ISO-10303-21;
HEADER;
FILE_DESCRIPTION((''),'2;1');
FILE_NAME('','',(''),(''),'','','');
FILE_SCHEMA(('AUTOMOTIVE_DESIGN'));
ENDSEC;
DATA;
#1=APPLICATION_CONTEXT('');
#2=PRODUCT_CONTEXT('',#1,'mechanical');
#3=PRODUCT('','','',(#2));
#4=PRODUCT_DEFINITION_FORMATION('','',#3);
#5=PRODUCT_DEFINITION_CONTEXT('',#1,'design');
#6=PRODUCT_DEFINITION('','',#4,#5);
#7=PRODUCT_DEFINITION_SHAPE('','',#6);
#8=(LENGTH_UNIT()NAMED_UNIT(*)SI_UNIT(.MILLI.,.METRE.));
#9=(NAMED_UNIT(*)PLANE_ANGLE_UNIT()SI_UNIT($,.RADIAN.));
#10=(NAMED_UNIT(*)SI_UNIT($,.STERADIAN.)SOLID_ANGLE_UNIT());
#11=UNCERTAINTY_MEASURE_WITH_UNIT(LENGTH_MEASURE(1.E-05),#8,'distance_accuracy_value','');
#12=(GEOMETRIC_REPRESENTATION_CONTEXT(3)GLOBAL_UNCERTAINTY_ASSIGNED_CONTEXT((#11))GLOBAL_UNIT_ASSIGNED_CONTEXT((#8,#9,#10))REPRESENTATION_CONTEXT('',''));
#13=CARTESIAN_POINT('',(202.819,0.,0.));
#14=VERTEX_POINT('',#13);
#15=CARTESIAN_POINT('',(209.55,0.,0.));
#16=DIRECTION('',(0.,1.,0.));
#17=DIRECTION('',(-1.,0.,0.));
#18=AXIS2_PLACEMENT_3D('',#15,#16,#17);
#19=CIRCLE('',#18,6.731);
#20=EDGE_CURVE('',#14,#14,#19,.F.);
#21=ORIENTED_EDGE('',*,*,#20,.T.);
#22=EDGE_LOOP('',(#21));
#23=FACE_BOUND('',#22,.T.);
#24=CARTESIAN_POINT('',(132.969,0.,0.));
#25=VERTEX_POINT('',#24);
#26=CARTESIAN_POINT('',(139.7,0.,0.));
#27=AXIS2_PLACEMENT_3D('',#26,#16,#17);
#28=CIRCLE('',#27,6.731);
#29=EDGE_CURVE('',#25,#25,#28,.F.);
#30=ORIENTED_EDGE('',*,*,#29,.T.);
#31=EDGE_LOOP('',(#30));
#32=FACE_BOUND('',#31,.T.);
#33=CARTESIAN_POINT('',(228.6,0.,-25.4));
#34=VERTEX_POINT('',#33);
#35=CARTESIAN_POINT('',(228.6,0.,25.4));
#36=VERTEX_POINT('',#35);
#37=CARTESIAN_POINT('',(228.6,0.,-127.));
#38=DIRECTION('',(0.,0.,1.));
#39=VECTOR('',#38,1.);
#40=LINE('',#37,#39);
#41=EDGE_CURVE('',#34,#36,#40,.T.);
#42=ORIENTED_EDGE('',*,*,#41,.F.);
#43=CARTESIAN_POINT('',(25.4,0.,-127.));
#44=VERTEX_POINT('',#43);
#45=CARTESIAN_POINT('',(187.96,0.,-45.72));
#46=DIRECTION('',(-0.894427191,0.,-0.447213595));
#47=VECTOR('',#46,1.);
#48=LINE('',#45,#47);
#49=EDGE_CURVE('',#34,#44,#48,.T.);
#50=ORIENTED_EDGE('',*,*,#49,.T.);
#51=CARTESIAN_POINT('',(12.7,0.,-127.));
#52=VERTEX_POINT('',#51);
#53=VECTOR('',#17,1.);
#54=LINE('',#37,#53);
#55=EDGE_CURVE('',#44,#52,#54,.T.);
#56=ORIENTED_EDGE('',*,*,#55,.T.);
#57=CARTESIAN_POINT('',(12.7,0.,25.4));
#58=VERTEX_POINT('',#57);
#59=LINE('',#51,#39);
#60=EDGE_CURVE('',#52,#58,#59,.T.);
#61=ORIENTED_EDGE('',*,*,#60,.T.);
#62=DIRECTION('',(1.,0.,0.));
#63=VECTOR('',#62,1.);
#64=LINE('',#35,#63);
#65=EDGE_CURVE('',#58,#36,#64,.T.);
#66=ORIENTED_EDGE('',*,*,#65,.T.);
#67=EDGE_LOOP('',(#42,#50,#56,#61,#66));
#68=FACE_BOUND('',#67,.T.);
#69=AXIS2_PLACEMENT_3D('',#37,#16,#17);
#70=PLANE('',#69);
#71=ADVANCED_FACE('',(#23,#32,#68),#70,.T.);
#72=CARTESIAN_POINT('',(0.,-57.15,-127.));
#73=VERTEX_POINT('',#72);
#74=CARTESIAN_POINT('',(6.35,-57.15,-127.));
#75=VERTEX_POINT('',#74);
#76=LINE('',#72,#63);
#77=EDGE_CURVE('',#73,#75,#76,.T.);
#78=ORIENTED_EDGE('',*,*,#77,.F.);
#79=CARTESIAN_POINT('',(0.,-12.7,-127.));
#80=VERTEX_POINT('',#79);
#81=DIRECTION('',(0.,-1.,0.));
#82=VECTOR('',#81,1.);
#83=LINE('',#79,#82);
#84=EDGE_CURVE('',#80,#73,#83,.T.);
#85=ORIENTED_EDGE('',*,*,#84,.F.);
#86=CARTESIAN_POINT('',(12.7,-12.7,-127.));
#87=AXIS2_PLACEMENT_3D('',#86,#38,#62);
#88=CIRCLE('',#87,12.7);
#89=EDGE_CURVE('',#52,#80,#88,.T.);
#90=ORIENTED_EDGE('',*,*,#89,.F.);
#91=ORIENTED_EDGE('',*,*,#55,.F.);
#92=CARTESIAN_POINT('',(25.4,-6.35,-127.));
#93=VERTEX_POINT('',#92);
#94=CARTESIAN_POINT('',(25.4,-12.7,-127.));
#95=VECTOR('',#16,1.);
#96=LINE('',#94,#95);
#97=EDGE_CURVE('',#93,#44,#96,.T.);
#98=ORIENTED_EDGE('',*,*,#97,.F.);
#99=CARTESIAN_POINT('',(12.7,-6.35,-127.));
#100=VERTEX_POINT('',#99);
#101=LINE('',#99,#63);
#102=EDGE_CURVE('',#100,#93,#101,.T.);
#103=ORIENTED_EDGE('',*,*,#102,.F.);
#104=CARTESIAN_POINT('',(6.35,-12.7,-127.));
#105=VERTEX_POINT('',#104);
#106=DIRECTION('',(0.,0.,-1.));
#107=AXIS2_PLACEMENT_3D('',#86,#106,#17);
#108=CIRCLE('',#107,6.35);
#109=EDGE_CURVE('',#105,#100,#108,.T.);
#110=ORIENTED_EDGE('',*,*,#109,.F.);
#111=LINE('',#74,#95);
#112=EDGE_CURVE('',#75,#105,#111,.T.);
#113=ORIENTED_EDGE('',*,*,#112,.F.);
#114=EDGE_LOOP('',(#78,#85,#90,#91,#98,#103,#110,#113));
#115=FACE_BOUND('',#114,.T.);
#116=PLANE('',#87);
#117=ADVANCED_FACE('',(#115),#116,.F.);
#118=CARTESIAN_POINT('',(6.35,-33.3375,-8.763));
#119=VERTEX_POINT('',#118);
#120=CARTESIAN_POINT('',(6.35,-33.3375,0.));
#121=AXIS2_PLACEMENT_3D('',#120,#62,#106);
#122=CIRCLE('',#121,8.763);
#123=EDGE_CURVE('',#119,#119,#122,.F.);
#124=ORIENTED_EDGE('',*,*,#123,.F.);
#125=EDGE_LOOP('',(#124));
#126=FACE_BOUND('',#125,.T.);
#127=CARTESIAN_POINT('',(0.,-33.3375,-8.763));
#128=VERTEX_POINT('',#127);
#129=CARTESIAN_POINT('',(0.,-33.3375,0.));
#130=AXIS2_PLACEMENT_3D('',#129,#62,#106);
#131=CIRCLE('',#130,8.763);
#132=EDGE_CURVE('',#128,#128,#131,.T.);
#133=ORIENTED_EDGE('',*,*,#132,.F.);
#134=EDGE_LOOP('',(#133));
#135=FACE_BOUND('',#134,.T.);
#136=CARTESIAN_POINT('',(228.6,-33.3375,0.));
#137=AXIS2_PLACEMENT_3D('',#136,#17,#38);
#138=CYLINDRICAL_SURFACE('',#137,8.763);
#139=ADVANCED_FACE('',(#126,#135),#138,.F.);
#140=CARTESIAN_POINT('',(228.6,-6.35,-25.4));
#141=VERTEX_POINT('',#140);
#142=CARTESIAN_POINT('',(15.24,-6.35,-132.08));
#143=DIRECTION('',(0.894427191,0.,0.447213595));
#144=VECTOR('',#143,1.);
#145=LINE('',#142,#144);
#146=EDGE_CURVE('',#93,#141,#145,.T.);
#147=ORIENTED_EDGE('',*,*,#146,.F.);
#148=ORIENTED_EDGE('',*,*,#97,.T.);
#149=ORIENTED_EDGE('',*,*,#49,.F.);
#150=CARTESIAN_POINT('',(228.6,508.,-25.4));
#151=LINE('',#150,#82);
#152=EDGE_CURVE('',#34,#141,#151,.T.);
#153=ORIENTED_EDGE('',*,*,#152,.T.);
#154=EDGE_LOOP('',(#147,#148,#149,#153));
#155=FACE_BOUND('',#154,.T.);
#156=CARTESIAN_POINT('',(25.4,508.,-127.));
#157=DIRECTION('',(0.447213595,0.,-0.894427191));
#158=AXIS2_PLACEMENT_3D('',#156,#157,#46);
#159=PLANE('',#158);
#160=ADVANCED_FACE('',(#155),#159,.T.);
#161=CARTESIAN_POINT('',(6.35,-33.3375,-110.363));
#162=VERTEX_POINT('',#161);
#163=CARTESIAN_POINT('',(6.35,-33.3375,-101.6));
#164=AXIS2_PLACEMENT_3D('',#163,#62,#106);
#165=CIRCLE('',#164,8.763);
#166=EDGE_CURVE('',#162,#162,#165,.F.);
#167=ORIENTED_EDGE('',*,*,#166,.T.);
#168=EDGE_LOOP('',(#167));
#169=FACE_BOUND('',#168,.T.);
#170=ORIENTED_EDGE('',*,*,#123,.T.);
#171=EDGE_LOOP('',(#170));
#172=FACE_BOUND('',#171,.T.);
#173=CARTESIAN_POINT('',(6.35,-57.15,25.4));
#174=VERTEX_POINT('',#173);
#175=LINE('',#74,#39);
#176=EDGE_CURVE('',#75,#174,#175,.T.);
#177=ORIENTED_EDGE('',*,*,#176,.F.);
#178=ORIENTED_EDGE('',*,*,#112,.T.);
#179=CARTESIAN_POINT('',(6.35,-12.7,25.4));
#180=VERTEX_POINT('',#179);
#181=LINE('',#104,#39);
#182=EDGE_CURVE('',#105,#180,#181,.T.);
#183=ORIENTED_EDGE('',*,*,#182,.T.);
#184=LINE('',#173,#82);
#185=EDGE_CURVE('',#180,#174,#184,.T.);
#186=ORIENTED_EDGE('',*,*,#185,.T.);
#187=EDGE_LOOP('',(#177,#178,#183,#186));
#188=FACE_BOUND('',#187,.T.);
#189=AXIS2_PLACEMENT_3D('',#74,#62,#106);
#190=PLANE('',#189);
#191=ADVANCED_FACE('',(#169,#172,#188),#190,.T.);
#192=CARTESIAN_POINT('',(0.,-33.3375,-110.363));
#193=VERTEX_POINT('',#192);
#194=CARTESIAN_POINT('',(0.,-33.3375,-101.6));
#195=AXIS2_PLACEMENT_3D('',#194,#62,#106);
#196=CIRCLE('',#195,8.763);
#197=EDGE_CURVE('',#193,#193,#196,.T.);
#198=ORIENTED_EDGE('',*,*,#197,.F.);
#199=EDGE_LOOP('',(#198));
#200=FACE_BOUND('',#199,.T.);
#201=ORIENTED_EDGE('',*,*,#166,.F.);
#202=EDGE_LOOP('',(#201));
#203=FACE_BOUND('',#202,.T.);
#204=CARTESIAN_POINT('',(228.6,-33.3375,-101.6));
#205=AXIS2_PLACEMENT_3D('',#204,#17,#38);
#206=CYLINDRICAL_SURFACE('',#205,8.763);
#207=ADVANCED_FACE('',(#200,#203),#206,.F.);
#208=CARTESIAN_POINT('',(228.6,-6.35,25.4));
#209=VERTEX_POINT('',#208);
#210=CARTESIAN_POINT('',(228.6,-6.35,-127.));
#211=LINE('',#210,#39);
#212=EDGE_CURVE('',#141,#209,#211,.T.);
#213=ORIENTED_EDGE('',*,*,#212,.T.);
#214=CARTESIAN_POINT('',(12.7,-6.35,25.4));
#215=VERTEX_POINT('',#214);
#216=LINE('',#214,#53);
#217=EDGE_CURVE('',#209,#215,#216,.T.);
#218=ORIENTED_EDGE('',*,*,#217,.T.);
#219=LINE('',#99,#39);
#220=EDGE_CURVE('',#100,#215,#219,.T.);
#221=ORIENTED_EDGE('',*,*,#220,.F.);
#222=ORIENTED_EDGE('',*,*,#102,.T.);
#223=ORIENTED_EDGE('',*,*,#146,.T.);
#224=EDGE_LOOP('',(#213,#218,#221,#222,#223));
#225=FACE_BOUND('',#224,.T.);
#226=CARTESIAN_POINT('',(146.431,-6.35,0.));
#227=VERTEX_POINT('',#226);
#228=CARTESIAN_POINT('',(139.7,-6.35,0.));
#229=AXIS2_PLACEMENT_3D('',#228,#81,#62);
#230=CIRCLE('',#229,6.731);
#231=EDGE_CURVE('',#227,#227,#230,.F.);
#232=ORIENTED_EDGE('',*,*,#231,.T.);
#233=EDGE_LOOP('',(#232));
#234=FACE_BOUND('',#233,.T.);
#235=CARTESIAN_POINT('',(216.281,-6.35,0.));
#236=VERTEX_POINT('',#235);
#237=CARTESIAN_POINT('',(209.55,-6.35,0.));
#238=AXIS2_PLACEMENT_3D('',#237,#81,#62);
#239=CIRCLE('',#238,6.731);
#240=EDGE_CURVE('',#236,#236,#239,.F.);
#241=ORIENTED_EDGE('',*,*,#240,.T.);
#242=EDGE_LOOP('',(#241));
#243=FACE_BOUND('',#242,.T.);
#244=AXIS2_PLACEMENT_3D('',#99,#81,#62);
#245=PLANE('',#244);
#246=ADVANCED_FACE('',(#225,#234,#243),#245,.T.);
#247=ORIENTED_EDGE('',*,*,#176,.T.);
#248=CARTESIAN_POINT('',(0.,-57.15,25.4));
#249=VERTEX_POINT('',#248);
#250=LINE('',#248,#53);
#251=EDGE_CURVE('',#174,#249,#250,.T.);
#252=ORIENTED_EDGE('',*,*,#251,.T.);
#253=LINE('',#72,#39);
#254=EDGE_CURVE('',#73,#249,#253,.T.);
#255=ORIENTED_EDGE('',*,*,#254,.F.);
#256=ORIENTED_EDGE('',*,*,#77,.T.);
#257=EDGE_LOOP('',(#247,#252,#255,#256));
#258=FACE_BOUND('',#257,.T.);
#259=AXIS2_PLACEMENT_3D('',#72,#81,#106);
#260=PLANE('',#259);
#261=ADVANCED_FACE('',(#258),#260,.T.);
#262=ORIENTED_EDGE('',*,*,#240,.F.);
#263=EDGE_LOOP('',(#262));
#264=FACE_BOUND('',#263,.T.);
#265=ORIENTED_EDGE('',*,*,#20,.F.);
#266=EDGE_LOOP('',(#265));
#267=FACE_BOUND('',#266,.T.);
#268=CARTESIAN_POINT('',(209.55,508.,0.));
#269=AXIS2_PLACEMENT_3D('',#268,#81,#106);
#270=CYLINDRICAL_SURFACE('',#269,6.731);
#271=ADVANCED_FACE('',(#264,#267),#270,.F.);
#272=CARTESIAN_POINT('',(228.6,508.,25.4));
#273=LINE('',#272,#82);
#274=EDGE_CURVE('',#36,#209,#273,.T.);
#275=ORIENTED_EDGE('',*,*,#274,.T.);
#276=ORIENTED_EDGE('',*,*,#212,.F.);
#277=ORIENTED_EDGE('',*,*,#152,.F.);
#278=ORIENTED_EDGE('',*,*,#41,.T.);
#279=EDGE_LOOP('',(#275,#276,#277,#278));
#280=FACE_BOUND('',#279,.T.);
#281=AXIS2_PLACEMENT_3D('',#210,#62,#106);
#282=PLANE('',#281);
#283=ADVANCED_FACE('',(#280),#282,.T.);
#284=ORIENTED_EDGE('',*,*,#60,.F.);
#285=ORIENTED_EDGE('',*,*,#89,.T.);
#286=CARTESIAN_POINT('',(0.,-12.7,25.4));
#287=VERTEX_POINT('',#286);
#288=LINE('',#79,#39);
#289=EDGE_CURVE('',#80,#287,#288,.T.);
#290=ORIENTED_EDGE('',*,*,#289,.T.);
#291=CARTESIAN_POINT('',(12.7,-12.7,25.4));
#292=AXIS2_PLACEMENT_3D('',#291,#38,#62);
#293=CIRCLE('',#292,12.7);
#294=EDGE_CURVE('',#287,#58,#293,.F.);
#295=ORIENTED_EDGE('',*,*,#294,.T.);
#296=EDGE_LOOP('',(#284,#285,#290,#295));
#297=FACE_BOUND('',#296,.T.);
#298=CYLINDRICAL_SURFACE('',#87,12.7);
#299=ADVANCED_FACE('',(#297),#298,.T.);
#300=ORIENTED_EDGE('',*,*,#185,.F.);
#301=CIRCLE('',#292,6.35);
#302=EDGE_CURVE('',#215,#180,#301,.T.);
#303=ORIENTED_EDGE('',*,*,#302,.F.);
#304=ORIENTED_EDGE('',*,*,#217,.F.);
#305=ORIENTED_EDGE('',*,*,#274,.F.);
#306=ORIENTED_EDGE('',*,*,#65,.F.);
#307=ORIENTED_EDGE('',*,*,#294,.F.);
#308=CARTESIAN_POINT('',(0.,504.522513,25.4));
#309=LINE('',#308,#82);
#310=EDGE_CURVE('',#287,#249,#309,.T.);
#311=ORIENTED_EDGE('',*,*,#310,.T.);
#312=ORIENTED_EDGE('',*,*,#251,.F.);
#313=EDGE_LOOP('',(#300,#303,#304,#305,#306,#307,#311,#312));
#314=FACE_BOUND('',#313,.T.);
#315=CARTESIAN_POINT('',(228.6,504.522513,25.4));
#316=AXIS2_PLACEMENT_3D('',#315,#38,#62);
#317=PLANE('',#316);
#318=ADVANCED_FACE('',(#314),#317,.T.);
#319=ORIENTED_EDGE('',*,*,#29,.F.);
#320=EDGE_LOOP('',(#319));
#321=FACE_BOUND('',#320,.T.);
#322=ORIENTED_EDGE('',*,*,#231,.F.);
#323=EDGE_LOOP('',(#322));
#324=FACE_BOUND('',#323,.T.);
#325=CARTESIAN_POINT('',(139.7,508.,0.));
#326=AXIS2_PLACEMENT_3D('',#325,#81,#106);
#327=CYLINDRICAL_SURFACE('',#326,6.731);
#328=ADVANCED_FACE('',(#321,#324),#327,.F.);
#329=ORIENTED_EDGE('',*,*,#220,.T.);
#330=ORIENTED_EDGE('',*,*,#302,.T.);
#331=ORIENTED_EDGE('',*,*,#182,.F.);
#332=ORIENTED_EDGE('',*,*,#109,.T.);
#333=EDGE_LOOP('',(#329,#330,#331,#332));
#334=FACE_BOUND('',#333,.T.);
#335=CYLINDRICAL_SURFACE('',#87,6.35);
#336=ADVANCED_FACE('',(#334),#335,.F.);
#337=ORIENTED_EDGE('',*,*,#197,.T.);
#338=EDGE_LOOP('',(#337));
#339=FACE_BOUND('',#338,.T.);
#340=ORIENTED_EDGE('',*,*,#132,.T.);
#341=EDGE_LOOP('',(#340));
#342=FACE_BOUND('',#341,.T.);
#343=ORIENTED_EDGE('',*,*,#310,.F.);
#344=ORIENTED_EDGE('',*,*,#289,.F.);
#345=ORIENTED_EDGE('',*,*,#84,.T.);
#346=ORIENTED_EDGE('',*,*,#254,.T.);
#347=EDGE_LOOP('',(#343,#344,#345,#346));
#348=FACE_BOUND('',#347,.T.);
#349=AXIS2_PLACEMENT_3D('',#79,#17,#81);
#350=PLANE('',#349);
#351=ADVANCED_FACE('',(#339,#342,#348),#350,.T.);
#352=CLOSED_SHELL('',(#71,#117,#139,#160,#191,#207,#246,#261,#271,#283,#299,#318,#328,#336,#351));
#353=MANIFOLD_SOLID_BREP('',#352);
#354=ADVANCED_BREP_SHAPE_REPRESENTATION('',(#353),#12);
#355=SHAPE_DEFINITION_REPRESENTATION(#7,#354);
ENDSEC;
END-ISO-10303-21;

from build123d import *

# Parameters (mm, degrees)
EXTRUDE1_DEPTH         = 127
SKETCH2_R              = 6.731
CUT_CHAMFER_DEPTH      = 508
CUT_CHAMFER_DEPTH_BACK = 58.15
SKETCH3_R              = 8.763
CUT_HOLES_DEPTH        = 229.6
CUT_LH_DEPTH           = 1
CUT_LH_DEPTH_BACK      = 58.15


with BuildPart() as part:
    # Sketch1 → Extrude1 (new body, symmetric)
    with BuildSketch(Plane.XY):
        with BuildLine():
            Line((228.6, 0), (12.7, 0))
            ThreePointArc((12.7, 0), (3.719743879, -3.719743879), (0, -12.7))
            Line((0, -12.7), (0, -57.15))
            Line((0, -57.15), (6.35, -57.15))
            Line((6.35, -57.15), (6.35, -12.7))
            ThreePointArc((6.35, -12.7), (8.209871939, -8.209871939), (12.7, -6.35))
            Line((12.7, -6.35), (228.6, -6.35))
            Line((228.6, -6.35), (228.6, 0))
        make_face()
    extrude(amount=EXTRUDE1_DEPTH, both=True)

    # Sketch2 → Cut-Chamfer (cut, two sides)
    with BuildSketch(Plane(origin=(0, 0, 0), x_dir=(1, 0, 0), z_dir=(0, 1, 0))) as cut_chamfer_sk:
        with Locations((209.55, 0)):
            Circle(SKETCH2_R)
        with Locations((139.7, 0)):
            Circle(SKETCH2_R)
        Polygon((25.4, 127), (228.6, 25.4), (228.6, 127), align=None)
        Polygon((25.4, -127), (228.6, -25.4), (228.6, -127), align=None)
    extrude(amount=CUT_CHAMFER_DEPTH, mode=Mode.SUBTRACT)
    extrude(cut_chamfer_sk.sketch, amount=-CUT_CHAMFER_DEPTH_BACK, mode=Mode.SUBTRACT)

    # Sketch3 → Cut-Holes (cut, through all)
    with BuildSketch(Plane(origin=(0, 0, 0), x_dir=(0, 0, -1), z_dir=(1, 0, 0))):
        with Locations((0, -33.3375)):
            Circle(SKETCH3_R)
        with Locations((101.6, -33.3375)):
            Circle(SKETCH3_R)
        with Locations((0, -153.9875)):
            Circle(SKETCH3_R)
        with Locations((101.6, -153.9875)):
            Circle(SKETCH3_R)
        with Locations((-101.6, -33.3375)):
            Circle(SKETCH3_R)
        with Locations((-101.6, -153.9875)):
            Circle(SKETCH3_R)
    extrude(amount=CUT_HOLES_DEPTH, mode=Mode.SUBTRACT)

    # Sketch5 → Cut-LH (cut, two sides)
    with BuildSketch(Plane(origin=(0, 0, 0), x_dir=(1, 0, 0), z_dir=(0, 1, 0))) as cut_lh_sk:
        Polygon((788.086014381, -25.4), (228.6, -25.4), (0, -25.4), (-559.486014381, -25.4), (-559.486014381, -1144.372028761), (788.086014381, -1144.372028761), align=None)
    extrude(amount=CUT_LH_DEPTH, mode=Mode.SUBTRACT)
    extrude(cut_lh_sk.sketch, amount=-CUT_LH_DEPTH_BACK, mode=Mode.SUBTRACT)


solid = part.part
